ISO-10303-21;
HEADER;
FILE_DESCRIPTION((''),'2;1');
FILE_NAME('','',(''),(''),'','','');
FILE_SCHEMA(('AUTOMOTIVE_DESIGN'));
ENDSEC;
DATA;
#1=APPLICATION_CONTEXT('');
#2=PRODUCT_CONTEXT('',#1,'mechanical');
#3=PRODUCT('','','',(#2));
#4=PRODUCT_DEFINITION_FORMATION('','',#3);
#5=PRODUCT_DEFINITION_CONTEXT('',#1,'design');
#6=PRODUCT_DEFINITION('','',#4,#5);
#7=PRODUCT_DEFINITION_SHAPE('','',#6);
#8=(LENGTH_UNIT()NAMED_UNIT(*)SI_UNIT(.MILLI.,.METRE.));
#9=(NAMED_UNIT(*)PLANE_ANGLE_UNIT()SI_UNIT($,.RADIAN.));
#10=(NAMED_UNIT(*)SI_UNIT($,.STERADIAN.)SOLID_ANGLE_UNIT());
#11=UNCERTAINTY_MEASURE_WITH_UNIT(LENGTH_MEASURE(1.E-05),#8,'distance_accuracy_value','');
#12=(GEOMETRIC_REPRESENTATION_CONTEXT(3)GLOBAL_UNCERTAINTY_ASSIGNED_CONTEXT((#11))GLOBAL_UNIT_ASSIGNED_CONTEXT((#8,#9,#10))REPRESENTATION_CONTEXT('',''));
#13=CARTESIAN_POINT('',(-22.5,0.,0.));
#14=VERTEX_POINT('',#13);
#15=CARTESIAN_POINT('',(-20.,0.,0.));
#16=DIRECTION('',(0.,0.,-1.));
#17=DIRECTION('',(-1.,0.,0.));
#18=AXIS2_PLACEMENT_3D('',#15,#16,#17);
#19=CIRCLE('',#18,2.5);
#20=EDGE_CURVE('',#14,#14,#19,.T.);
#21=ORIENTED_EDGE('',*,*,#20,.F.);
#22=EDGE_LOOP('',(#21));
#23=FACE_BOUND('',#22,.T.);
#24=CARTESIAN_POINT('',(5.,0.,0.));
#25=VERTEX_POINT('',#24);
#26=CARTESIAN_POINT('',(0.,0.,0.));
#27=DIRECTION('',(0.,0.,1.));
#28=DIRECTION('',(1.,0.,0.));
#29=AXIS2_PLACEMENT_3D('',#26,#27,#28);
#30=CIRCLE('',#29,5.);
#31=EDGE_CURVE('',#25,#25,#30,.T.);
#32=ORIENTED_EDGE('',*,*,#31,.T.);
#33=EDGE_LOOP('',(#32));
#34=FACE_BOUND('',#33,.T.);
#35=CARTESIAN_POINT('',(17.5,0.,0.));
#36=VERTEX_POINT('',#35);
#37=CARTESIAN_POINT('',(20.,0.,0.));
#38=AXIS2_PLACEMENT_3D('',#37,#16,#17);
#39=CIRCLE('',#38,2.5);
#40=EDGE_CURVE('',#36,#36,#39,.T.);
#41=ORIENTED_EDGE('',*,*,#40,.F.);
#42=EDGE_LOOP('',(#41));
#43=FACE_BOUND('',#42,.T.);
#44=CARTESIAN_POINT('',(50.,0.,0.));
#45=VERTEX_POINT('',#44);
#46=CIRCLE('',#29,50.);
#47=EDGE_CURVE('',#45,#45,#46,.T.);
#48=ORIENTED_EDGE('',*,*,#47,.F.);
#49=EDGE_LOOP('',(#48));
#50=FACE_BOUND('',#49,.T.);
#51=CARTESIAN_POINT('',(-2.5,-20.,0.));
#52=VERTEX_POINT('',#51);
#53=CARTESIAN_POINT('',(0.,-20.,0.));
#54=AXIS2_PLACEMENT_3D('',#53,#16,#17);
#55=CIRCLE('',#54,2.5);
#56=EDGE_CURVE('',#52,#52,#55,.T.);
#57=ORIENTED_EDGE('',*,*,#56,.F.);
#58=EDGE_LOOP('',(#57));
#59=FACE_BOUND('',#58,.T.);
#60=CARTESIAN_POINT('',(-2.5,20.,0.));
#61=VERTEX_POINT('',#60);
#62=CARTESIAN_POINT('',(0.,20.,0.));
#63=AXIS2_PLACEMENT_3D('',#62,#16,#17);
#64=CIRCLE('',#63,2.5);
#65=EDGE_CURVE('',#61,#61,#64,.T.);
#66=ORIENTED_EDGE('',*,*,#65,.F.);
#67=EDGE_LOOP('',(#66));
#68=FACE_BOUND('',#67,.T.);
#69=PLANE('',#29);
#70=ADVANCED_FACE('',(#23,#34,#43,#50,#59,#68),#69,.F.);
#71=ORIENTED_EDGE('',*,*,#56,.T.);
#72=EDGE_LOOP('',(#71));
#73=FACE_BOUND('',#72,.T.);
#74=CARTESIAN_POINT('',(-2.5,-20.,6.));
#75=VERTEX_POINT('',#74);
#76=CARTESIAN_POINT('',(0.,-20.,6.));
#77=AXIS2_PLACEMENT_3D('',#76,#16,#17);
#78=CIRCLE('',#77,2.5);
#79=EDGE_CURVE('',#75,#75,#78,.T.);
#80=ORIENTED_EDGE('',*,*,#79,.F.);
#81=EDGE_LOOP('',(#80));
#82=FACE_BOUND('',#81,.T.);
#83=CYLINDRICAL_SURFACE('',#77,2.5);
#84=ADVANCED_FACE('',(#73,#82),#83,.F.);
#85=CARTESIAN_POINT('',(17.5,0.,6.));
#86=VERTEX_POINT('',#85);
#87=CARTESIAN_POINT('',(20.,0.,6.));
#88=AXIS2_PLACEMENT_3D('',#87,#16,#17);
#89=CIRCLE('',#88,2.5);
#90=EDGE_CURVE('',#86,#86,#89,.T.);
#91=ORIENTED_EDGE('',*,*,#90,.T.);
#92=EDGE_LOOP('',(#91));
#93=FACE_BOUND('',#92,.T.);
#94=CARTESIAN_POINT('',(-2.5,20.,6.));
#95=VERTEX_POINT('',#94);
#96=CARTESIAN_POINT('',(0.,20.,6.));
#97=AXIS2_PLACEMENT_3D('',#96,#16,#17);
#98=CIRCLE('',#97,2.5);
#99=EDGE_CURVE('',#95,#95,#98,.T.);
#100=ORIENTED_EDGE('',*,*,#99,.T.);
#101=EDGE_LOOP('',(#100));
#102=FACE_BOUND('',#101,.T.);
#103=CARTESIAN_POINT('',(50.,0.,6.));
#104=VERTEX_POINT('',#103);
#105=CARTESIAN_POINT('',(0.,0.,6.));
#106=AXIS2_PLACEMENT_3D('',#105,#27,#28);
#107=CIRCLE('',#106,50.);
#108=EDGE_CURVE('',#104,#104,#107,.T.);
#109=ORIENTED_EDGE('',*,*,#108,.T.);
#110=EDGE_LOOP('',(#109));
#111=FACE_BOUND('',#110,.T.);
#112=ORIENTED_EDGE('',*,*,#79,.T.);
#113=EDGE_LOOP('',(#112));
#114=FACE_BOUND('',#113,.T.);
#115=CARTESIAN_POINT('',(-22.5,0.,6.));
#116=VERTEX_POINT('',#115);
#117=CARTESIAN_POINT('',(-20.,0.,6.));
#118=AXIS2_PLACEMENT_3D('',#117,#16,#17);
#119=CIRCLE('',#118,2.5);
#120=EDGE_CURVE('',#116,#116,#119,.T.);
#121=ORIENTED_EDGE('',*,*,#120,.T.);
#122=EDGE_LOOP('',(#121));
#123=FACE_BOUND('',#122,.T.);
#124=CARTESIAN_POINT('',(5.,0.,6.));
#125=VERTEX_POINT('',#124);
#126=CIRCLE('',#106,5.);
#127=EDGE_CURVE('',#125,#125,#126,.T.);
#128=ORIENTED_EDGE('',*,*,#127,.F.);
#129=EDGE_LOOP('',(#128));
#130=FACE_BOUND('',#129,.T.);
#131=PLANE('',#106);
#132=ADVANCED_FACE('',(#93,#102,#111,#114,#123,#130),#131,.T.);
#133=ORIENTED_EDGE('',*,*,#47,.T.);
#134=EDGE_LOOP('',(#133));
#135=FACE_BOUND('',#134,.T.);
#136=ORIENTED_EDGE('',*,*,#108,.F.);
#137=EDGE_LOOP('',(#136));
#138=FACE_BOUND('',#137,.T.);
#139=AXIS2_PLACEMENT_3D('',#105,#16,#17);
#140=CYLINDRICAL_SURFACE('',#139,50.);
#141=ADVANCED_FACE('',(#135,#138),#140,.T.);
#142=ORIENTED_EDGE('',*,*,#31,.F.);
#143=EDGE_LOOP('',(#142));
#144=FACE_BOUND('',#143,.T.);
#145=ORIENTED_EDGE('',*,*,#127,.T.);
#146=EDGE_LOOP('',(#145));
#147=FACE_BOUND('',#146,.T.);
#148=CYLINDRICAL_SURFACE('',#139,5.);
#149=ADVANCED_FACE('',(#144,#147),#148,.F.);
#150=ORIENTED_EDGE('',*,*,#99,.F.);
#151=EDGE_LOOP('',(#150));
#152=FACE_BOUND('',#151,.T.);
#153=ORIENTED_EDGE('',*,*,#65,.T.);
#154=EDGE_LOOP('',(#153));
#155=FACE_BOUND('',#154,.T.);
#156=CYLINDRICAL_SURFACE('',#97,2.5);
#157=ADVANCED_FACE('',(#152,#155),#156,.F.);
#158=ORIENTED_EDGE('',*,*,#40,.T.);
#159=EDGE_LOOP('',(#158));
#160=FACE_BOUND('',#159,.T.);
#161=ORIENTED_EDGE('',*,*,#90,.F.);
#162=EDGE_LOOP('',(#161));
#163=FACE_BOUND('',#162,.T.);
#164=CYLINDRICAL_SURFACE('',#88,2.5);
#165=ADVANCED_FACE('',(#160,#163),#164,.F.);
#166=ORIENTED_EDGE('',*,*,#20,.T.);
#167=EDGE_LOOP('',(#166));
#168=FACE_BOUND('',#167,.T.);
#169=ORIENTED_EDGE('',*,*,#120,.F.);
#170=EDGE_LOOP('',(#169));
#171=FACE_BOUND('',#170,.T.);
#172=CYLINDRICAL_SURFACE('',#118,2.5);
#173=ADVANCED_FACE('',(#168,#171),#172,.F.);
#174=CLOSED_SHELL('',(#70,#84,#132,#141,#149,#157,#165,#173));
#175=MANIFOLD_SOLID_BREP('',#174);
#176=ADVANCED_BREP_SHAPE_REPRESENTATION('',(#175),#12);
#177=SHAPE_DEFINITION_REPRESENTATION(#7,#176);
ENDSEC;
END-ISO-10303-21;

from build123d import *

# Parameters (mm, degrees)
SKETCH1_R           = 50
SKETCH1_R_2         = 5
BOSS_EXTRUDE1_DEPTH = 6
SKETCH2_R           = 2.5
CUT_EXTRUDE1_DEPTH  = 7


with BuildPart() as part:
    # Sketch1 → Boss-Extrude1 (new body)
    with BuildSketch(Plane.XY):
        Circle(SKETCH1_R)
        Circle(SKETCH1_R_2, mode=Mode.SUBTRACT)
    extrude(amount=BOSS_EXTRUDE1_DEPTH)

    # Sketch2 → Cut-Extrude1 (cut, through all)
    with BuildSketch(Plane(origin=(0, 0, 0), x_dir=(-1, 0, 0), z_dir=(0, 0, -1))):
        with Locations((0, 20)):
            Circle(SKETCH2_R)
        with Locations((20, 0)):
            Circle(SKETCH2_R)
        with Locations((0, -20)):
            Circle(SKETCH2_R)
        with Locations((-20, 0)):
            Circle(SKETCH2_R)
    extrude(amount=-CUT_EXTRUDE1_DEPTH, mode=Mode.SUBTRACT)


solid = part.part
